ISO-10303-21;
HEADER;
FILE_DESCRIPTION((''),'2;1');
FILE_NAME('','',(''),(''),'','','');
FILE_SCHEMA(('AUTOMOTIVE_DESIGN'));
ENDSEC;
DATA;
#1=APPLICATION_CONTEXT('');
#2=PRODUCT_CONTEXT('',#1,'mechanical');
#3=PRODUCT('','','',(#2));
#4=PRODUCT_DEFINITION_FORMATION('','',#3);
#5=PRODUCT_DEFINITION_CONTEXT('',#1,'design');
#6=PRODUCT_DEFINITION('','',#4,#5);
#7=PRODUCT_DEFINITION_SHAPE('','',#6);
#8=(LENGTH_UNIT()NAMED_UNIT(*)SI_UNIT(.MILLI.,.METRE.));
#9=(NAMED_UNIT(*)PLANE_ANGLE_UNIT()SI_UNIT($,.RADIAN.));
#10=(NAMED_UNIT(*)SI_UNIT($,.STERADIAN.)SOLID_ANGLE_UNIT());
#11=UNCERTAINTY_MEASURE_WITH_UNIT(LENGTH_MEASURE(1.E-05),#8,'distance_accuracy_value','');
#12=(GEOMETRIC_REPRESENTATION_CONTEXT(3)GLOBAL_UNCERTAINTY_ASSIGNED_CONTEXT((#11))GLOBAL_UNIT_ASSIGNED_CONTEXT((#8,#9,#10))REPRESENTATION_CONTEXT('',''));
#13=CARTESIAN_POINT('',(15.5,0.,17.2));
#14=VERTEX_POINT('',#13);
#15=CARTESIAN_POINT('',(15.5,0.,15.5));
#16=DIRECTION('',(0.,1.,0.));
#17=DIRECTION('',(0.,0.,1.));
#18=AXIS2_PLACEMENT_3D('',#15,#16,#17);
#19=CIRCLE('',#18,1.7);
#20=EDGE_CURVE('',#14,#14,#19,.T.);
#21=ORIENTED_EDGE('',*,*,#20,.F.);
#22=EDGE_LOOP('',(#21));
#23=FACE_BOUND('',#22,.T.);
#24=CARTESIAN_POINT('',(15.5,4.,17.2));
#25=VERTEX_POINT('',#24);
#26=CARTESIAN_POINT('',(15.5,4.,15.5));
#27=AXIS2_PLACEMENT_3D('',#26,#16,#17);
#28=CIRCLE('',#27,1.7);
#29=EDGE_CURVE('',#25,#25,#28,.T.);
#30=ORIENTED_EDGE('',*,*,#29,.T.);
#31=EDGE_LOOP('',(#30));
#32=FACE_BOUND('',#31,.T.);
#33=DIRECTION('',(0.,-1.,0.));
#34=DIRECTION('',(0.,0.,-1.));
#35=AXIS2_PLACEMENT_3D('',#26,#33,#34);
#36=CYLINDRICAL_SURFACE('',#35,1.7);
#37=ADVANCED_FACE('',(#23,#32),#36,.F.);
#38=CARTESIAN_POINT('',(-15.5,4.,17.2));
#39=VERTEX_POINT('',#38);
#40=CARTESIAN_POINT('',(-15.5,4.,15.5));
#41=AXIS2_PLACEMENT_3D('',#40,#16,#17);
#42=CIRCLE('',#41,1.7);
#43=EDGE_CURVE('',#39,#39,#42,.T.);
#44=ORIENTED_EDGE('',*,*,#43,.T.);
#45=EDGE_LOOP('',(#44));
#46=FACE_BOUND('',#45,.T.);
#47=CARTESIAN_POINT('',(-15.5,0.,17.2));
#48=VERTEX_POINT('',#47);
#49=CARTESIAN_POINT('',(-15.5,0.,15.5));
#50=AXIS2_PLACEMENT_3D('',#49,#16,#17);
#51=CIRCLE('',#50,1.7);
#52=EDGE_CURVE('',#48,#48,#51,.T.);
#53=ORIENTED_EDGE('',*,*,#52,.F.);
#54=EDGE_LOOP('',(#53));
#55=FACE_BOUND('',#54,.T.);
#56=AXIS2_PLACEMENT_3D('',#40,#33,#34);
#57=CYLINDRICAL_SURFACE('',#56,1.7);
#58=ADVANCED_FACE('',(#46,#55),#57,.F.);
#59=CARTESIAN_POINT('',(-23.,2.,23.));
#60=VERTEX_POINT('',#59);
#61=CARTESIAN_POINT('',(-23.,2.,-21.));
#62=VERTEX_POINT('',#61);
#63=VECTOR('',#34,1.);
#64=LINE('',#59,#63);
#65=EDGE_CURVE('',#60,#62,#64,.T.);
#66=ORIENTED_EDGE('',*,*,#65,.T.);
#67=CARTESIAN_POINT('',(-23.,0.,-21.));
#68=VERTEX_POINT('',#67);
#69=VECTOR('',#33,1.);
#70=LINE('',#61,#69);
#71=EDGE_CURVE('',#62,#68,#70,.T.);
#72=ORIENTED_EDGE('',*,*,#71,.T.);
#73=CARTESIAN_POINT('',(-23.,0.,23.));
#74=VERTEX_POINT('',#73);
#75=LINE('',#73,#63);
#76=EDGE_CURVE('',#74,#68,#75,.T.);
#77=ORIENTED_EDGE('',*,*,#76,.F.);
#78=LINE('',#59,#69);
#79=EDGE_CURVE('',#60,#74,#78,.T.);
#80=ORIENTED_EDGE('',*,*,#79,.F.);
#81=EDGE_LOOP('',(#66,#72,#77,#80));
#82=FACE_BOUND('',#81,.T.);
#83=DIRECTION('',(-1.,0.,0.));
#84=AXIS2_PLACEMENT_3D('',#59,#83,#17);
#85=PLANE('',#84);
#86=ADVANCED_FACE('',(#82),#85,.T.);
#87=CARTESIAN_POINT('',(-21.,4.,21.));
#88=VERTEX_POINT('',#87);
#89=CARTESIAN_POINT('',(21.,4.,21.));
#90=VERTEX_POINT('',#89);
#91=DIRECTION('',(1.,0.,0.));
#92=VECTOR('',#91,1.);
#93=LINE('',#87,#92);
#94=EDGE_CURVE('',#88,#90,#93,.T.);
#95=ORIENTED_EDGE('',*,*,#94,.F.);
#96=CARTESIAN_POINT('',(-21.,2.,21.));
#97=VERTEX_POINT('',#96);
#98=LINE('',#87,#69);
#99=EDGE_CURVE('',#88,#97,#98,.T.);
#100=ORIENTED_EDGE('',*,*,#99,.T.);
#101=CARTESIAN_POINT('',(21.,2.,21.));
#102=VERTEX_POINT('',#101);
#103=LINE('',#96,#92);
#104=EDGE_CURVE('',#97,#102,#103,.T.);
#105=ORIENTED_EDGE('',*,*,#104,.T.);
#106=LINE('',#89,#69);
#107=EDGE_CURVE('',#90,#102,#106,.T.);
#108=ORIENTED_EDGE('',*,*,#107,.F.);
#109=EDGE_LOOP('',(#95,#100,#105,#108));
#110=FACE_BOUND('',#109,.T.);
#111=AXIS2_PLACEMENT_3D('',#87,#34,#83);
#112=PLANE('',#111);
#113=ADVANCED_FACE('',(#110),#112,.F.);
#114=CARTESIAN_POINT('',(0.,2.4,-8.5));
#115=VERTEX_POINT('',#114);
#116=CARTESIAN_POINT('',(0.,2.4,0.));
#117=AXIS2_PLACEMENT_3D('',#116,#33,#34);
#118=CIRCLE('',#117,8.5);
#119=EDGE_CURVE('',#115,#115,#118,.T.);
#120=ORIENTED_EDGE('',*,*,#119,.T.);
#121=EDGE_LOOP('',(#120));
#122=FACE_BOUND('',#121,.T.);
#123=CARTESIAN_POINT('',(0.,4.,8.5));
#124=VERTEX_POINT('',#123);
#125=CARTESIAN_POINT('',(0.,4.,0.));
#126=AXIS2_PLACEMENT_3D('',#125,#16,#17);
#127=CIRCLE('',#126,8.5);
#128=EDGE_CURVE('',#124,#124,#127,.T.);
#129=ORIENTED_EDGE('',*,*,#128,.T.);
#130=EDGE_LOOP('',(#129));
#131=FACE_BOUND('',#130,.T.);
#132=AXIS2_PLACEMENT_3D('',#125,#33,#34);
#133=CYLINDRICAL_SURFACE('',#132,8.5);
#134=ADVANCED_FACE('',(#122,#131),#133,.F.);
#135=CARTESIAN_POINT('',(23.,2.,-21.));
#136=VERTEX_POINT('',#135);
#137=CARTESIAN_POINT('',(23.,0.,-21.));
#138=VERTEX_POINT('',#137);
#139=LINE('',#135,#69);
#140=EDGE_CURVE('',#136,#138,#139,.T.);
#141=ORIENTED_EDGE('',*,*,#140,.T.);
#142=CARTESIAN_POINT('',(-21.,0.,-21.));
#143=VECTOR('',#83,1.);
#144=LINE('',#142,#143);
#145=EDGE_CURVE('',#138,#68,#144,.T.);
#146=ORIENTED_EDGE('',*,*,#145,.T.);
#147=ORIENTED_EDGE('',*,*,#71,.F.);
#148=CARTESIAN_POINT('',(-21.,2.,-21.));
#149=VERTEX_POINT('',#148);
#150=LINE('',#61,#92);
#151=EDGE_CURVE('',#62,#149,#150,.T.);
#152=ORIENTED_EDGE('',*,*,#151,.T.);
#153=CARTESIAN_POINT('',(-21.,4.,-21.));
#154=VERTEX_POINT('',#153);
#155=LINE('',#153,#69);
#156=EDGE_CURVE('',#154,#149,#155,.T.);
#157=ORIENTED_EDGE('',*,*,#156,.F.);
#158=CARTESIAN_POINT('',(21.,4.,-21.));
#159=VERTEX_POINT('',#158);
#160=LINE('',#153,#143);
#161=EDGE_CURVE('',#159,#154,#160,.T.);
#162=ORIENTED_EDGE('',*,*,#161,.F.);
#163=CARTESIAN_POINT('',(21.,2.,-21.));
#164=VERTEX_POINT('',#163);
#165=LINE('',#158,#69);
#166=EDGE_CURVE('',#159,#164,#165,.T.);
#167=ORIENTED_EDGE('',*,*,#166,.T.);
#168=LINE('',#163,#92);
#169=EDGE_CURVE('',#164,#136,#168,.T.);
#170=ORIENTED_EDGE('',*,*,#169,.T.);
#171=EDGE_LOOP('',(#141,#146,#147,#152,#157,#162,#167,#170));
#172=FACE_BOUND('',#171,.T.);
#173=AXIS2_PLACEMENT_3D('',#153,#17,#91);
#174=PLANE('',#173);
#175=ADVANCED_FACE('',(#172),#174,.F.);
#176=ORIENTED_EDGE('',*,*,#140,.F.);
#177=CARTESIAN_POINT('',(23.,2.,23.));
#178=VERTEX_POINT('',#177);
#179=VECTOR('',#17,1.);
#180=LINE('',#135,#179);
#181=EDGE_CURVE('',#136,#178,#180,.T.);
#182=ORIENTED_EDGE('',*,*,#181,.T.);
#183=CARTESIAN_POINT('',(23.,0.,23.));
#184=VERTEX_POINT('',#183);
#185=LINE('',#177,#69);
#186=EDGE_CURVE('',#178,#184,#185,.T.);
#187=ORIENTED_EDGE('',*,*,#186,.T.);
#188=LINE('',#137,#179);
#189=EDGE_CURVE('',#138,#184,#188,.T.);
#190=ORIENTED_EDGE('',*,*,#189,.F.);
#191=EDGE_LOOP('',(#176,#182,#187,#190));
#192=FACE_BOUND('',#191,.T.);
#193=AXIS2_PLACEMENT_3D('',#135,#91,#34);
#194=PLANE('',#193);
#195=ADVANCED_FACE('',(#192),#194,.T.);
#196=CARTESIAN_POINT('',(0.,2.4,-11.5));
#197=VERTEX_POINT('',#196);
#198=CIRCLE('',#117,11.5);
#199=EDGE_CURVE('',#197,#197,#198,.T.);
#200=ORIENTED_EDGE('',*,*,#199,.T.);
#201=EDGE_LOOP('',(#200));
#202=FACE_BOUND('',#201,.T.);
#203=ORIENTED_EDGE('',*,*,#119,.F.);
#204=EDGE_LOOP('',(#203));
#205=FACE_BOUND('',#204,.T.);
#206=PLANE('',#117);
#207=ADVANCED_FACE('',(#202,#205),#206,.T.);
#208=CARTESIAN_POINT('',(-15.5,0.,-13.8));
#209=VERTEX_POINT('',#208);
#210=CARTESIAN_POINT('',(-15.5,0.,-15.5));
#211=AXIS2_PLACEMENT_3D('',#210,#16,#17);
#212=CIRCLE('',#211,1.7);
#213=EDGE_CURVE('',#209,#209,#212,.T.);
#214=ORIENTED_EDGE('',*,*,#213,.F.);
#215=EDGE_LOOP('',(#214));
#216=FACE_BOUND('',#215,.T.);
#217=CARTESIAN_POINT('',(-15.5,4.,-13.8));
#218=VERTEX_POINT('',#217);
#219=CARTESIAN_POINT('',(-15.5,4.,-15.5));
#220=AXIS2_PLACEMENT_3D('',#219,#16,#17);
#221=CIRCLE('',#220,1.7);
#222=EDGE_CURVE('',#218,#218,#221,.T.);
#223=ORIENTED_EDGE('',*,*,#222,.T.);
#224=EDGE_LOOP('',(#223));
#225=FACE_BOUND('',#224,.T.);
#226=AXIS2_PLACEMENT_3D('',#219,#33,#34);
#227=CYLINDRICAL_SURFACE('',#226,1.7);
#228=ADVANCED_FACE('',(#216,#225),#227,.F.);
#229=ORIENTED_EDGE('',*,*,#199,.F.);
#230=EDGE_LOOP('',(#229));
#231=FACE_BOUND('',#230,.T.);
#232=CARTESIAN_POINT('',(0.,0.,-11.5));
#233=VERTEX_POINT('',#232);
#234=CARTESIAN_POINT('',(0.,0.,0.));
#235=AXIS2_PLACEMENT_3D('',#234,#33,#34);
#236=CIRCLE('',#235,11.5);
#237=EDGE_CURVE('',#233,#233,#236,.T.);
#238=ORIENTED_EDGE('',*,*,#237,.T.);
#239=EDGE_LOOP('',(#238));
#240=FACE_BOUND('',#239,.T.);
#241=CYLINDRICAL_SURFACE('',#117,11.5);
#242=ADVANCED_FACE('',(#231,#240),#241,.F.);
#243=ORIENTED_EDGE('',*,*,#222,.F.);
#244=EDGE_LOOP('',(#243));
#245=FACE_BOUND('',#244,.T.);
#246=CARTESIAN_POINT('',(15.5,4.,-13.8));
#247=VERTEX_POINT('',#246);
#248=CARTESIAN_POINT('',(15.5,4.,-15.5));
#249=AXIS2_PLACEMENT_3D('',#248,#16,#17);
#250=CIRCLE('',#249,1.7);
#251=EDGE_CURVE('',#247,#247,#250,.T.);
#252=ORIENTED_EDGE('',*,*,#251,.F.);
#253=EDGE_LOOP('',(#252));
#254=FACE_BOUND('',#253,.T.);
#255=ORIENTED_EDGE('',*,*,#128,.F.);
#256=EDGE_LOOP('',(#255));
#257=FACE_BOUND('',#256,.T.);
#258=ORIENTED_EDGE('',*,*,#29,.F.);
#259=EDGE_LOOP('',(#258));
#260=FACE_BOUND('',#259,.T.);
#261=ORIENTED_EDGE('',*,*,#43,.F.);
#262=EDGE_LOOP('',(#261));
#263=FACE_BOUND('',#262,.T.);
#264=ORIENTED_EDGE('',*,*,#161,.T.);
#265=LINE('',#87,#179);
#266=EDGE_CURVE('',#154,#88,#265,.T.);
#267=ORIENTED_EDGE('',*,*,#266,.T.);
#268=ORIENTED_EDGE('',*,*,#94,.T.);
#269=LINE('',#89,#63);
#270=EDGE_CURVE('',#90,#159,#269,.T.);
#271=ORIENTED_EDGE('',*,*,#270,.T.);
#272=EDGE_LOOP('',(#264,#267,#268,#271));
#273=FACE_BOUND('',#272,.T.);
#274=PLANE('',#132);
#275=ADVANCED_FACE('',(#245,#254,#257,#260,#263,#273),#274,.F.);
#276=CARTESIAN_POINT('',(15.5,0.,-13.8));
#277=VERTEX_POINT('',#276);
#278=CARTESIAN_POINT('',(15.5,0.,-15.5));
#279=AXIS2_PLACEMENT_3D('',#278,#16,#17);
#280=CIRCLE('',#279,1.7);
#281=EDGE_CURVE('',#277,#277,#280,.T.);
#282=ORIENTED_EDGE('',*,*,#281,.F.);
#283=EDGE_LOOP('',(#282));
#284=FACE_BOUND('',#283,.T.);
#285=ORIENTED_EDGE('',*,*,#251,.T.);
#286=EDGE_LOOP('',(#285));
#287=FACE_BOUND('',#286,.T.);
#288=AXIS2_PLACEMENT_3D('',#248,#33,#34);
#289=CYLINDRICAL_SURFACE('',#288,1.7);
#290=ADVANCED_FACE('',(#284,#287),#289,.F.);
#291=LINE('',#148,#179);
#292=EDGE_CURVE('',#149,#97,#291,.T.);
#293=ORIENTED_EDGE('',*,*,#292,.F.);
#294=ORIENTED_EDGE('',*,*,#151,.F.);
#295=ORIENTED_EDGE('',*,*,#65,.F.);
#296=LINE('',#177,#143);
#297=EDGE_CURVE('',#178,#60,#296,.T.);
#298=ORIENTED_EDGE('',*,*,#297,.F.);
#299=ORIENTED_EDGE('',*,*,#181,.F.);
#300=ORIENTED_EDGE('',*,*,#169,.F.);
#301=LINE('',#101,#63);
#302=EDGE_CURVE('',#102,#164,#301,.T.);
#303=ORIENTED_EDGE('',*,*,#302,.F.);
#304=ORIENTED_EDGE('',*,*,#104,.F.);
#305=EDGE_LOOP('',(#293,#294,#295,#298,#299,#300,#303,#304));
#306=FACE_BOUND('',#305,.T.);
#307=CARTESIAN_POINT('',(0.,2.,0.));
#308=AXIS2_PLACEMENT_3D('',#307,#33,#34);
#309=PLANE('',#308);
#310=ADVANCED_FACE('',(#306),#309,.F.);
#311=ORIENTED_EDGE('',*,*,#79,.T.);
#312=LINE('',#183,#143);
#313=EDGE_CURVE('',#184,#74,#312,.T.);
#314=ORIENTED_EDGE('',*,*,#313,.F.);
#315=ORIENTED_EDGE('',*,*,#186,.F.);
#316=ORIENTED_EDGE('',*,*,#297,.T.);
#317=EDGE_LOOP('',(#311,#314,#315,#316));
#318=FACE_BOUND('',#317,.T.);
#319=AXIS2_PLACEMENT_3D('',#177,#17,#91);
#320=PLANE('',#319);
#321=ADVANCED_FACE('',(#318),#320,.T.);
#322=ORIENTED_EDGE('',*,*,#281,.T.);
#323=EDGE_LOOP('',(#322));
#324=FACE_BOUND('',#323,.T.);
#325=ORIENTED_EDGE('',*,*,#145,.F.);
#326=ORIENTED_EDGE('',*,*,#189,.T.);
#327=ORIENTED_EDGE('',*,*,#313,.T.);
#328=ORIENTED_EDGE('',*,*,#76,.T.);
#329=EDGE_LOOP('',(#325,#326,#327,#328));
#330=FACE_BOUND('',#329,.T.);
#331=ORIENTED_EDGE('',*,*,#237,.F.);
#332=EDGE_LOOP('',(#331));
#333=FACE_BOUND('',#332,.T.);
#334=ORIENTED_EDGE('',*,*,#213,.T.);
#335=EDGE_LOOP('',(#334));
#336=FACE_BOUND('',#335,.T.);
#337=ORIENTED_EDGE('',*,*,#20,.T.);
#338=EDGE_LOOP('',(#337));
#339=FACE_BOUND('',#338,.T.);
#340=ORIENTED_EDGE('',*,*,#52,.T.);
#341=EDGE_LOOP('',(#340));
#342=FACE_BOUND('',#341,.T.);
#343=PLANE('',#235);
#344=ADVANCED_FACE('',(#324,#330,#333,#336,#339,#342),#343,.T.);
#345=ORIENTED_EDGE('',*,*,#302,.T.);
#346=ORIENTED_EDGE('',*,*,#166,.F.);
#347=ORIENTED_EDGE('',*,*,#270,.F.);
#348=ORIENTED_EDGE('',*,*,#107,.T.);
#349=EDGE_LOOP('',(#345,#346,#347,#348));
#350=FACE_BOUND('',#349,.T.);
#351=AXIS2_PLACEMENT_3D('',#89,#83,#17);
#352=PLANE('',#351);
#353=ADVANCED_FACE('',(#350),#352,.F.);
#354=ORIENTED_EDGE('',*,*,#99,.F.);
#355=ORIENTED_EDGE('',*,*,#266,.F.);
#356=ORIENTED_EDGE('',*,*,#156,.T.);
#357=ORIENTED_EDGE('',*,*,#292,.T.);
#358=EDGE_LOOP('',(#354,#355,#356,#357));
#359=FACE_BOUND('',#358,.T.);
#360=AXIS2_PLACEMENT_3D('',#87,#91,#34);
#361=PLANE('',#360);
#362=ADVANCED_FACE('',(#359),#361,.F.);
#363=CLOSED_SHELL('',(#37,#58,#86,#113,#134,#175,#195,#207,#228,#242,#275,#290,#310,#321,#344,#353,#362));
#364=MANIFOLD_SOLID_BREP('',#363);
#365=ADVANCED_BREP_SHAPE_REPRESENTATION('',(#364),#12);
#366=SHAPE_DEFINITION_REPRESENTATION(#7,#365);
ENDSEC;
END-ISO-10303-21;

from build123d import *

# Parameters (mm, degrees)
SKIZZE1_W                       = 42
SKIZZE1_H                       = 42
SKIZZE1_R                       = 1.7
SKIZZE1_R_2                     = 8.5
AUFSATZ_LINEAR_AUSTRAGEN1_DEPTH = 4
SKIZZE2_R                       = 11.5
SCHNITT_LINEAR_AUSTRAGEN1_DEPTH = 2.4
AUFSATZ_LINEAR_AUSTRAGEN2_DEPTH = 2


with BuildPart() as part:
    # Skizze1 → Aufsatz-Linear austragen1 (new body)
    with BuildSketch(Plane(origin=(0, 0, 0), x_dir=(1, 0, 0), z_dir=(0, 1, 0))):
        Rectangle(SKIZZE1_W, SKIZZE1_H)
        with Locations(Location((-15.5, 15.5, 0), (0, 0, 270))):
            Circle(SKIZZE1_R, mode=Mode.SUBTRACT)
        with Locations(Location((15.5, 15.5, 0), (0, 0, 270))):
            Circle(SKIZZE1_R, mode=Mode.SUBTRACT)
        with Locations(Location((-15.5, -15.5, 0), (0, 0, 270))):
            Circle(SKIZZE1_R, mode=Mode.SUBTRACT)
        with Locations(Location((15.5, -15.5, 0), (0, 0, 270))):
            Circle(SKIZZE1_R, mode=Mode.SUBTRACT)
        with Locations(Location((0, 0, 0), (0, 0, 270))):
            Circle(SKIZZE1_R_2, mode=Mode.SUBTRACT)
    extrude(amount=AUFSATZ_LINEAR_AUSTRAGEN1_DEPTH)

    # Skizze2 → Schnitt-Linear austragen1 (cut)
    with BuildSketch(Plane.XZ):
        with Locations(Location((0, 0, 0), (0, 0, 270))):
            Circle(SKIZZE2_R)
    extrude(amount=-SCHNITT_LINEAR_AUSTRAGEN1_DEPTH, mode=Mode.SUBTRACT)

    # Skizze4 → Aufsatz-Linear austragen2 (add)
    with BuildSketch(Plane.XZ):
        Polygon((-21, -21), (-21, 21), (21, 21), (21, -21), (23, -21), (23, 23), (-23, 23), (-23, -21), align=None)
    extrude(amount=-AUFSATZ_LINEAR_AUSTRAGEN2_DEPTH)


solid = part.part
